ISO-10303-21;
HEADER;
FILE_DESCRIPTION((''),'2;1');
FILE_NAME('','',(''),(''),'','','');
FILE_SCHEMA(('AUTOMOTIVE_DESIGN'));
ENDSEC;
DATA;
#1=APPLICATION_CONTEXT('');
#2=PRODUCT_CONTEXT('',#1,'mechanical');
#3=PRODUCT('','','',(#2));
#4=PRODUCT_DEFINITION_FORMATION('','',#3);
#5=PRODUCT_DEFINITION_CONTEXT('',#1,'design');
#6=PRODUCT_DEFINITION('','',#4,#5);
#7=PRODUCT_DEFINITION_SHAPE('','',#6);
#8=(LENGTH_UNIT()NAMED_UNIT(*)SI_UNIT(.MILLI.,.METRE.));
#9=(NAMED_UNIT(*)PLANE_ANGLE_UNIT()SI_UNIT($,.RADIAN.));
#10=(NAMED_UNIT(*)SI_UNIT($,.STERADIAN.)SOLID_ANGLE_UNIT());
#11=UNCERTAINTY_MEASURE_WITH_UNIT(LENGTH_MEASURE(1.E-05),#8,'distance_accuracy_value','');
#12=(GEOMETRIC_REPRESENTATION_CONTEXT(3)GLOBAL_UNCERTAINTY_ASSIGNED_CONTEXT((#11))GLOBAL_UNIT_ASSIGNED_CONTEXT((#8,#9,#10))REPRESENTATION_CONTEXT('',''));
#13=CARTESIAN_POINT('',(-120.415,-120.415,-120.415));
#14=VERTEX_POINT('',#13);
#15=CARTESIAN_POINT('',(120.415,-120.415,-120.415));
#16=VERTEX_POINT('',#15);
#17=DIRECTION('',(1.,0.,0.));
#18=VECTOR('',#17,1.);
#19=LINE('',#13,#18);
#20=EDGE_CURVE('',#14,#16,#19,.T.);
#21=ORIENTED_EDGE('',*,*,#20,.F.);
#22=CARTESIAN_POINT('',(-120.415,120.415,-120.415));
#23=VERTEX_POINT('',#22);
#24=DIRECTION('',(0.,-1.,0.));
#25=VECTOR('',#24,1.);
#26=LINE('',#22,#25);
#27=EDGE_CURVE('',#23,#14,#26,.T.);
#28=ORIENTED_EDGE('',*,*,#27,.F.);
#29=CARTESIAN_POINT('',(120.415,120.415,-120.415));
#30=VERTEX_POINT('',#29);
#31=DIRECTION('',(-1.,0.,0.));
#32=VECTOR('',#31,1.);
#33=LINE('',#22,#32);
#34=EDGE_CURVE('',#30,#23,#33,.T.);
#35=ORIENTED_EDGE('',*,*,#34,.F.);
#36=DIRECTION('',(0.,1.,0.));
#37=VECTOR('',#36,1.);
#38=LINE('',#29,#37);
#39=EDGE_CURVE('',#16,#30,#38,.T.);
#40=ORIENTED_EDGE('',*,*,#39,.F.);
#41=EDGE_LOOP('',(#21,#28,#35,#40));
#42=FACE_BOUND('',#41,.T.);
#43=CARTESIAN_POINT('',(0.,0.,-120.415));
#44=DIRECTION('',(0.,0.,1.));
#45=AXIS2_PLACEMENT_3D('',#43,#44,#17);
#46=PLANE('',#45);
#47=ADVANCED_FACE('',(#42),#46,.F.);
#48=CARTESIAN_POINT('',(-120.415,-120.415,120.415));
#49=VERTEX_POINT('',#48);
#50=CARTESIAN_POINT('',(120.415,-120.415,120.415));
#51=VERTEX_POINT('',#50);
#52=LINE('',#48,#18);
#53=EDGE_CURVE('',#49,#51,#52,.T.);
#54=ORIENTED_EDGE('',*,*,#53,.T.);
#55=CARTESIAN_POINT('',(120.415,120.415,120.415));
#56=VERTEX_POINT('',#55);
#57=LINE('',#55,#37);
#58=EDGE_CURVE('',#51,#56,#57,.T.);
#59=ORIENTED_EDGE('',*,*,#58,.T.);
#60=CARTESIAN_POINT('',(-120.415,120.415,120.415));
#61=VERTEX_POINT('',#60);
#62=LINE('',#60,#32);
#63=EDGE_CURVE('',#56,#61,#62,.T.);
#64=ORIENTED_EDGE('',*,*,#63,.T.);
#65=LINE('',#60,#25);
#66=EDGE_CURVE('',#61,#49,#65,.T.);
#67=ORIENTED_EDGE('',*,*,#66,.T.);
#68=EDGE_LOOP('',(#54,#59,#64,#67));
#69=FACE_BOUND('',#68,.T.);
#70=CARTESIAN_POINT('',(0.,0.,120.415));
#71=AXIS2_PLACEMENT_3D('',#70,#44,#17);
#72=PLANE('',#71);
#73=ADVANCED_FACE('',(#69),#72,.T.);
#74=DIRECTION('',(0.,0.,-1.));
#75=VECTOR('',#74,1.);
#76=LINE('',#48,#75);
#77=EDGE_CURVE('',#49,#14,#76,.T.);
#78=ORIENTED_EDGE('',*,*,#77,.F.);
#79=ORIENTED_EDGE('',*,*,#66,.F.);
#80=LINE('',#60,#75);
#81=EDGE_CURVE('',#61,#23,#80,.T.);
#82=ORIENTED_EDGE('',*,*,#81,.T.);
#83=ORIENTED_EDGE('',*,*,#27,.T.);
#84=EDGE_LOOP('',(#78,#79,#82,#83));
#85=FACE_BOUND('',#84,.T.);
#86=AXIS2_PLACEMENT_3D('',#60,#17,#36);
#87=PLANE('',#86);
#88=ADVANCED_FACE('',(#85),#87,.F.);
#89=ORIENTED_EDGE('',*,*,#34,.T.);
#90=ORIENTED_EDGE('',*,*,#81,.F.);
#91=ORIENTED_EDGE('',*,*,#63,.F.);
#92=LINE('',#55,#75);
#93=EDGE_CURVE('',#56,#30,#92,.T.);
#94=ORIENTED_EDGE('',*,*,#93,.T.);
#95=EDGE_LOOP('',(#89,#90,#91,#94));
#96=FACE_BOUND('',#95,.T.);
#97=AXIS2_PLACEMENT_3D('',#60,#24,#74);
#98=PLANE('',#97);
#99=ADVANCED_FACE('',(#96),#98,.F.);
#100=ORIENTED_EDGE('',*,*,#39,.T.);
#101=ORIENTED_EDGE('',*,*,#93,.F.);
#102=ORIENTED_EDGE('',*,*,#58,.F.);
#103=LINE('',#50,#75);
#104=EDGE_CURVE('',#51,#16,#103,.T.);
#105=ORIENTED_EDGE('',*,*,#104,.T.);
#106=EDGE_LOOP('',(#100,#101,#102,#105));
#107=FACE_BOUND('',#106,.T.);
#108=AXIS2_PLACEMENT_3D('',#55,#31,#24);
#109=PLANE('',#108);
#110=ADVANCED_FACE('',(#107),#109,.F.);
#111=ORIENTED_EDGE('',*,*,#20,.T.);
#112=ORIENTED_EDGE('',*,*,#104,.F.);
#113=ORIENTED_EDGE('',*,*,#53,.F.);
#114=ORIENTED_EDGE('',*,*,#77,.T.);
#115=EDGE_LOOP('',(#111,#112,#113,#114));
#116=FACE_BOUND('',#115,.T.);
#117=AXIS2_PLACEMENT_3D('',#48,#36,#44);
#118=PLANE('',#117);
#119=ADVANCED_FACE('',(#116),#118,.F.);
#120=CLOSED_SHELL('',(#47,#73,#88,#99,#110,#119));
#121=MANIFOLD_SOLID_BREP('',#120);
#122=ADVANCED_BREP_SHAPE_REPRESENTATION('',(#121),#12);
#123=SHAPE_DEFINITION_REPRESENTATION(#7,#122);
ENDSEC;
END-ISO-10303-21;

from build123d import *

# Parameters (mm, degrees)
ESBO_O1_W                = 240.83
ESBO_O1_H                = 240.83
RESSALTO_EXTRUS_O1_DEPTH = 120.415


with BuildPart() as part:
    # Esboço1 → Ressalto-extrusão1 (new body, symmetric)
    with BuildSketch(Plane.XY):
        Rectangle(ESBO_O1_W, ESBO_O1_H)
    extrude(amount=RESSALTO_EXTRUS_O1_DEPTH, both=True)


solid = part.part
